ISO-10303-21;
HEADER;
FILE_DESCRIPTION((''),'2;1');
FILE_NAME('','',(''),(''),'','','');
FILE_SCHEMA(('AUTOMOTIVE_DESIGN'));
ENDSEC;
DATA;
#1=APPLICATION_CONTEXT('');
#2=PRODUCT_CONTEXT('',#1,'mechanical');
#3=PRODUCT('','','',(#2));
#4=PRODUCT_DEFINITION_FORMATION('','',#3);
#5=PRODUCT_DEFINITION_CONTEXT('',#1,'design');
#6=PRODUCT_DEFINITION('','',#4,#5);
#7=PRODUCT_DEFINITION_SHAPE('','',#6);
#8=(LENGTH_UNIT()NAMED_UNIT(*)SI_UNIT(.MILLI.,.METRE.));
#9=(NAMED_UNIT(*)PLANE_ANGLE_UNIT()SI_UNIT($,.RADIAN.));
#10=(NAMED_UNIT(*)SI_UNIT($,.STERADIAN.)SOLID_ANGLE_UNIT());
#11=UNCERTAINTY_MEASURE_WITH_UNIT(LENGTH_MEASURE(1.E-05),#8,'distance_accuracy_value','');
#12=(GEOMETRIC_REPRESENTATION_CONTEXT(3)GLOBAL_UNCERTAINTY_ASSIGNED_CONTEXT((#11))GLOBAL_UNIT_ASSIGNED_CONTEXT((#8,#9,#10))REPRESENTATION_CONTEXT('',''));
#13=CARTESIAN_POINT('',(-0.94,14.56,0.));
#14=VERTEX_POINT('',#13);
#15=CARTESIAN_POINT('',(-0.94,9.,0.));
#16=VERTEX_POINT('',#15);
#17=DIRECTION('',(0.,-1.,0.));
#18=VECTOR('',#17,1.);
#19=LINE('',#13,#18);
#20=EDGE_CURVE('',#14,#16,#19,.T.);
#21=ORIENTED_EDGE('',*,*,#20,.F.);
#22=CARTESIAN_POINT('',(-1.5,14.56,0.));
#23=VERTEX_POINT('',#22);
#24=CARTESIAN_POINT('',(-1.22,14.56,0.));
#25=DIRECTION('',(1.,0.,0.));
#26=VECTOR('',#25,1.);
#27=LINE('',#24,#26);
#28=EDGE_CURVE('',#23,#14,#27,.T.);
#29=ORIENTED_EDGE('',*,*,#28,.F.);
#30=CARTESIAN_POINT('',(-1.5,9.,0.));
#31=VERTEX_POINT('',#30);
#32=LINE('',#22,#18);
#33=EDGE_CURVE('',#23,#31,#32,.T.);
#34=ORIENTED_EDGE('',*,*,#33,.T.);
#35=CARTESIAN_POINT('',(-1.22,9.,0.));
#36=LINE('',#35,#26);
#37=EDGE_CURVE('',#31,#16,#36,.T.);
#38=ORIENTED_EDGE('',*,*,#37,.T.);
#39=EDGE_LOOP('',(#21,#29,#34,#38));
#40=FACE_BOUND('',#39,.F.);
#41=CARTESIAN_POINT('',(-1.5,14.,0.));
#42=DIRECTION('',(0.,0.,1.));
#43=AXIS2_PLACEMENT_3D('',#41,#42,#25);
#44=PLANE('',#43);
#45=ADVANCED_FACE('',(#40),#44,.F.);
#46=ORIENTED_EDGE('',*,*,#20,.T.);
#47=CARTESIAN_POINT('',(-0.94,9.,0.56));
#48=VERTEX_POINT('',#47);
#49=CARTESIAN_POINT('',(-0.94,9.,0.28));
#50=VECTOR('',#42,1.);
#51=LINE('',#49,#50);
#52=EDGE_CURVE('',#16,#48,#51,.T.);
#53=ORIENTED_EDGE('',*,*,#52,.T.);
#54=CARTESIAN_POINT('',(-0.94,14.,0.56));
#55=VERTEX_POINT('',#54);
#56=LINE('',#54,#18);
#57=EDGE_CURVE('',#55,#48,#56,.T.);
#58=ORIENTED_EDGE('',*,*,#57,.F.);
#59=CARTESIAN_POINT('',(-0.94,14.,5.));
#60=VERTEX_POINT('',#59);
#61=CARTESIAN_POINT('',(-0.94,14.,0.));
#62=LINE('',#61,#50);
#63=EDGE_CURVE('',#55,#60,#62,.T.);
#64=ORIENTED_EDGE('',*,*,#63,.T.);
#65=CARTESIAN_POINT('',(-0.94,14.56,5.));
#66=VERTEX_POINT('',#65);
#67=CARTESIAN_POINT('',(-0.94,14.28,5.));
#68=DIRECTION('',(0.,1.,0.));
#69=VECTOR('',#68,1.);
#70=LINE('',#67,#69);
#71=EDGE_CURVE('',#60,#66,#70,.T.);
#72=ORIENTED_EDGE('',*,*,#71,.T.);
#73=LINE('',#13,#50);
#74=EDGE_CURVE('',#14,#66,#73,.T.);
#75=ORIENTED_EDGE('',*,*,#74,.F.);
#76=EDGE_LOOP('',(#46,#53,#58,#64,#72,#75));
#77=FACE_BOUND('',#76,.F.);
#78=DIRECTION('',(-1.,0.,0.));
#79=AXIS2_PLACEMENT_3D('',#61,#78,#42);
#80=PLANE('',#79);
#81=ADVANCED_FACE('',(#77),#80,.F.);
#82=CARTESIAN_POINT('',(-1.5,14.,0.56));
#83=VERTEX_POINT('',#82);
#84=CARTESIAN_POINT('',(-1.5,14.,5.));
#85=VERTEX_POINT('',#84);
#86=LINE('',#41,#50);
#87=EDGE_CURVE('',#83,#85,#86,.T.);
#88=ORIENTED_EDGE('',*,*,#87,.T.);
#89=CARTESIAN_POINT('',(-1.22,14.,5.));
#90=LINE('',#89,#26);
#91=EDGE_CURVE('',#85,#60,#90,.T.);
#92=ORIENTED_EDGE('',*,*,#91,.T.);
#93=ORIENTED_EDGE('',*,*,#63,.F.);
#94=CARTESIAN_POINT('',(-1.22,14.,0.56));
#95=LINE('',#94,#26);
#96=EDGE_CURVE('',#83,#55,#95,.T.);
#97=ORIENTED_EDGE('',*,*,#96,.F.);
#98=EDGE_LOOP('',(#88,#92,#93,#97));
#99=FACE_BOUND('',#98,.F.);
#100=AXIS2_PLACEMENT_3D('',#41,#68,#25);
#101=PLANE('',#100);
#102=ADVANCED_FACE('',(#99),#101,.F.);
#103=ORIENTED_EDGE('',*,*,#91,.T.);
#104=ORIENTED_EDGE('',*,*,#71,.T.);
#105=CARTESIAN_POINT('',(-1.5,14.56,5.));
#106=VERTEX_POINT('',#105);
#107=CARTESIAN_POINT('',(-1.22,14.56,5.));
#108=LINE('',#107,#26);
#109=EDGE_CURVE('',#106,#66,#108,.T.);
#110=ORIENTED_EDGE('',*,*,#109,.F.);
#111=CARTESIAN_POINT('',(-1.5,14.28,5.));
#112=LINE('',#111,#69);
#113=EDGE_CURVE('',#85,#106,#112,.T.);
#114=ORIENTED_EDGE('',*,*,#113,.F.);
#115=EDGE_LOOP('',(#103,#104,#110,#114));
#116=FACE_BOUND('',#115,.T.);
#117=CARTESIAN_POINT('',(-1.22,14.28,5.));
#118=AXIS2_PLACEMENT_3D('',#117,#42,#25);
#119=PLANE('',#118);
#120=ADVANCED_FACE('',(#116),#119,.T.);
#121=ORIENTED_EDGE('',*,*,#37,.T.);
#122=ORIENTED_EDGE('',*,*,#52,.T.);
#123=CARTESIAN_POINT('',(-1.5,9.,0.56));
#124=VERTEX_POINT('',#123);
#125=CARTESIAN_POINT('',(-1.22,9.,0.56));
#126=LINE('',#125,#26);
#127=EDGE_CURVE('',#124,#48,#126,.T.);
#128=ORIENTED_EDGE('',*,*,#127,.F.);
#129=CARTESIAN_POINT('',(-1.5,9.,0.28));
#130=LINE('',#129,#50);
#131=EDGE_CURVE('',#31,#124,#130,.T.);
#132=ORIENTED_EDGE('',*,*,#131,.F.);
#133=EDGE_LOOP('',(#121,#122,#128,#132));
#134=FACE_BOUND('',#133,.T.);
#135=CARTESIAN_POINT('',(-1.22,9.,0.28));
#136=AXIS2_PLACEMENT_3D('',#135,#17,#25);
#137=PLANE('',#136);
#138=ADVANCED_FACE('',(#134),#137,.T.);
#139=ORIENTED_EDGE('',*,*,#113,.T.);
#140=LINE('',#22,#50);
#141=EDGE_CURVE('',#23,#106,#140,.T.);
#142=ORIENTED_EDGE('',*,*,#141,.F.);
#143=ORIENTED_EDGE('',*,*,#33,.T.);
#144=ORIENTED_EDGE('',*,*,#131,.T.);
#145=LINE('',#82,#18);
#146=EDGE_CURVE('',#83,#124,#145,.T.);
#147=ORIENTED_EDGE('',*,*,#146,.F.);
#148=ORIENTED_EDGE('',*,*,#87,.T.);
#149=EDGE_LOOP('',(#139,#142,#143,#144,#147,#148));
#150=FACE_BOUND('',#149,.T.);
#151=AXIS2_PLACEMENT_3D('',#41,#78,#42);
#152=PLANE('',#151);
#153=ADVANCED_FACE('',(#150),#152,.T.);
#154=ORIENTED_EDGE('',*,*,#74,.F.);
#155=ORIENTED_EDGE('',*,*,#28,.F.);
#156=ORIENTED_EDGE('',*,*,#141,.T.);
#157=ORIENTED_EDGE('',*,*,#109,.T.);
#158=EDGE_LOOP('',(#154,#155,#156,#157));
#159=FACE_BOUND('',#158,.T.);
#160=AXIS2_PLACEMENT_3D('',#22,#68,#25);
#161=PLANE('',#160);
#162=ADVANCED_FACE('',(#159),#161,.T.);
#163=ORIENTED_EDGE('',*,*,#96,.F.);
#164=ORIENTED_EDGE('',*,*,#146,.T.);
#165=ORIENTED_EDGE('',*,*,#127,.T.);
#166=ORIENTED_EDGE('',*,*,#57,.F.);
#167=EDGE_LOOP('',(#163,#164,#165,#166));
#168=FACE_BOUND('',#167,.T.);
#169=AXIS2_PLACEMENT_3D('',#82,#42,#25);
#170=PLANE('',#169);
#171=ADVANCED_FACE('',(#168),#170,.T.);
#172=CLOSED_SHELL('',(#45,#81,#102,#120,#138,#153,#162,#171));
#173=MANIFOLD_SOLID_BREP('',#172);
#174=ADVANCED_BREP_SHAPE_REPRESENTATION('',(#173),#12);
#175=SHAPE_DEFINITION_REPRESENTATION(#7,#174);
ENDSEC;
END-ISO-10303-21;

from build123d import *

# Parameters (mm, degrees)
BOX008_W     = 0.56
BOX008_H     = 0.56
BOX008_DEPTH = 5
BOX009_W     = 0.56
BOX009_H     = 0.56
BOX009_DEPTH = 5


with BuildPart() as cubo008:
    # Box008 → Box008 (new body)
    with BuildSketch(Plane(origin=(-1.5, 14, 0), x_dir=(1, 0, 0), z_dir=(0, -1, 0))):
        with Locations((0.28, 0.28)):
            Rectangle(BOX008_W, BOX008_H)
    extrude(amount=BOX008_DEPTH)


with BuildPart() as patillas:
    # Box009 → Box009 (new body)
    with BuildSketch(Plane(origin=(-1.5, 14, 0), x_dir=(1, 0, 0), z_dir=(0, 0, 1))):
        with Locations((0.28, 0.28)):
            Rectangle(BOX009_W, BOX009_H)
    extrude(amount=BOX009_DEPTH)

    # Fusion015: union Cubo008
    add(cubo008.part)


solid = patillas.part
